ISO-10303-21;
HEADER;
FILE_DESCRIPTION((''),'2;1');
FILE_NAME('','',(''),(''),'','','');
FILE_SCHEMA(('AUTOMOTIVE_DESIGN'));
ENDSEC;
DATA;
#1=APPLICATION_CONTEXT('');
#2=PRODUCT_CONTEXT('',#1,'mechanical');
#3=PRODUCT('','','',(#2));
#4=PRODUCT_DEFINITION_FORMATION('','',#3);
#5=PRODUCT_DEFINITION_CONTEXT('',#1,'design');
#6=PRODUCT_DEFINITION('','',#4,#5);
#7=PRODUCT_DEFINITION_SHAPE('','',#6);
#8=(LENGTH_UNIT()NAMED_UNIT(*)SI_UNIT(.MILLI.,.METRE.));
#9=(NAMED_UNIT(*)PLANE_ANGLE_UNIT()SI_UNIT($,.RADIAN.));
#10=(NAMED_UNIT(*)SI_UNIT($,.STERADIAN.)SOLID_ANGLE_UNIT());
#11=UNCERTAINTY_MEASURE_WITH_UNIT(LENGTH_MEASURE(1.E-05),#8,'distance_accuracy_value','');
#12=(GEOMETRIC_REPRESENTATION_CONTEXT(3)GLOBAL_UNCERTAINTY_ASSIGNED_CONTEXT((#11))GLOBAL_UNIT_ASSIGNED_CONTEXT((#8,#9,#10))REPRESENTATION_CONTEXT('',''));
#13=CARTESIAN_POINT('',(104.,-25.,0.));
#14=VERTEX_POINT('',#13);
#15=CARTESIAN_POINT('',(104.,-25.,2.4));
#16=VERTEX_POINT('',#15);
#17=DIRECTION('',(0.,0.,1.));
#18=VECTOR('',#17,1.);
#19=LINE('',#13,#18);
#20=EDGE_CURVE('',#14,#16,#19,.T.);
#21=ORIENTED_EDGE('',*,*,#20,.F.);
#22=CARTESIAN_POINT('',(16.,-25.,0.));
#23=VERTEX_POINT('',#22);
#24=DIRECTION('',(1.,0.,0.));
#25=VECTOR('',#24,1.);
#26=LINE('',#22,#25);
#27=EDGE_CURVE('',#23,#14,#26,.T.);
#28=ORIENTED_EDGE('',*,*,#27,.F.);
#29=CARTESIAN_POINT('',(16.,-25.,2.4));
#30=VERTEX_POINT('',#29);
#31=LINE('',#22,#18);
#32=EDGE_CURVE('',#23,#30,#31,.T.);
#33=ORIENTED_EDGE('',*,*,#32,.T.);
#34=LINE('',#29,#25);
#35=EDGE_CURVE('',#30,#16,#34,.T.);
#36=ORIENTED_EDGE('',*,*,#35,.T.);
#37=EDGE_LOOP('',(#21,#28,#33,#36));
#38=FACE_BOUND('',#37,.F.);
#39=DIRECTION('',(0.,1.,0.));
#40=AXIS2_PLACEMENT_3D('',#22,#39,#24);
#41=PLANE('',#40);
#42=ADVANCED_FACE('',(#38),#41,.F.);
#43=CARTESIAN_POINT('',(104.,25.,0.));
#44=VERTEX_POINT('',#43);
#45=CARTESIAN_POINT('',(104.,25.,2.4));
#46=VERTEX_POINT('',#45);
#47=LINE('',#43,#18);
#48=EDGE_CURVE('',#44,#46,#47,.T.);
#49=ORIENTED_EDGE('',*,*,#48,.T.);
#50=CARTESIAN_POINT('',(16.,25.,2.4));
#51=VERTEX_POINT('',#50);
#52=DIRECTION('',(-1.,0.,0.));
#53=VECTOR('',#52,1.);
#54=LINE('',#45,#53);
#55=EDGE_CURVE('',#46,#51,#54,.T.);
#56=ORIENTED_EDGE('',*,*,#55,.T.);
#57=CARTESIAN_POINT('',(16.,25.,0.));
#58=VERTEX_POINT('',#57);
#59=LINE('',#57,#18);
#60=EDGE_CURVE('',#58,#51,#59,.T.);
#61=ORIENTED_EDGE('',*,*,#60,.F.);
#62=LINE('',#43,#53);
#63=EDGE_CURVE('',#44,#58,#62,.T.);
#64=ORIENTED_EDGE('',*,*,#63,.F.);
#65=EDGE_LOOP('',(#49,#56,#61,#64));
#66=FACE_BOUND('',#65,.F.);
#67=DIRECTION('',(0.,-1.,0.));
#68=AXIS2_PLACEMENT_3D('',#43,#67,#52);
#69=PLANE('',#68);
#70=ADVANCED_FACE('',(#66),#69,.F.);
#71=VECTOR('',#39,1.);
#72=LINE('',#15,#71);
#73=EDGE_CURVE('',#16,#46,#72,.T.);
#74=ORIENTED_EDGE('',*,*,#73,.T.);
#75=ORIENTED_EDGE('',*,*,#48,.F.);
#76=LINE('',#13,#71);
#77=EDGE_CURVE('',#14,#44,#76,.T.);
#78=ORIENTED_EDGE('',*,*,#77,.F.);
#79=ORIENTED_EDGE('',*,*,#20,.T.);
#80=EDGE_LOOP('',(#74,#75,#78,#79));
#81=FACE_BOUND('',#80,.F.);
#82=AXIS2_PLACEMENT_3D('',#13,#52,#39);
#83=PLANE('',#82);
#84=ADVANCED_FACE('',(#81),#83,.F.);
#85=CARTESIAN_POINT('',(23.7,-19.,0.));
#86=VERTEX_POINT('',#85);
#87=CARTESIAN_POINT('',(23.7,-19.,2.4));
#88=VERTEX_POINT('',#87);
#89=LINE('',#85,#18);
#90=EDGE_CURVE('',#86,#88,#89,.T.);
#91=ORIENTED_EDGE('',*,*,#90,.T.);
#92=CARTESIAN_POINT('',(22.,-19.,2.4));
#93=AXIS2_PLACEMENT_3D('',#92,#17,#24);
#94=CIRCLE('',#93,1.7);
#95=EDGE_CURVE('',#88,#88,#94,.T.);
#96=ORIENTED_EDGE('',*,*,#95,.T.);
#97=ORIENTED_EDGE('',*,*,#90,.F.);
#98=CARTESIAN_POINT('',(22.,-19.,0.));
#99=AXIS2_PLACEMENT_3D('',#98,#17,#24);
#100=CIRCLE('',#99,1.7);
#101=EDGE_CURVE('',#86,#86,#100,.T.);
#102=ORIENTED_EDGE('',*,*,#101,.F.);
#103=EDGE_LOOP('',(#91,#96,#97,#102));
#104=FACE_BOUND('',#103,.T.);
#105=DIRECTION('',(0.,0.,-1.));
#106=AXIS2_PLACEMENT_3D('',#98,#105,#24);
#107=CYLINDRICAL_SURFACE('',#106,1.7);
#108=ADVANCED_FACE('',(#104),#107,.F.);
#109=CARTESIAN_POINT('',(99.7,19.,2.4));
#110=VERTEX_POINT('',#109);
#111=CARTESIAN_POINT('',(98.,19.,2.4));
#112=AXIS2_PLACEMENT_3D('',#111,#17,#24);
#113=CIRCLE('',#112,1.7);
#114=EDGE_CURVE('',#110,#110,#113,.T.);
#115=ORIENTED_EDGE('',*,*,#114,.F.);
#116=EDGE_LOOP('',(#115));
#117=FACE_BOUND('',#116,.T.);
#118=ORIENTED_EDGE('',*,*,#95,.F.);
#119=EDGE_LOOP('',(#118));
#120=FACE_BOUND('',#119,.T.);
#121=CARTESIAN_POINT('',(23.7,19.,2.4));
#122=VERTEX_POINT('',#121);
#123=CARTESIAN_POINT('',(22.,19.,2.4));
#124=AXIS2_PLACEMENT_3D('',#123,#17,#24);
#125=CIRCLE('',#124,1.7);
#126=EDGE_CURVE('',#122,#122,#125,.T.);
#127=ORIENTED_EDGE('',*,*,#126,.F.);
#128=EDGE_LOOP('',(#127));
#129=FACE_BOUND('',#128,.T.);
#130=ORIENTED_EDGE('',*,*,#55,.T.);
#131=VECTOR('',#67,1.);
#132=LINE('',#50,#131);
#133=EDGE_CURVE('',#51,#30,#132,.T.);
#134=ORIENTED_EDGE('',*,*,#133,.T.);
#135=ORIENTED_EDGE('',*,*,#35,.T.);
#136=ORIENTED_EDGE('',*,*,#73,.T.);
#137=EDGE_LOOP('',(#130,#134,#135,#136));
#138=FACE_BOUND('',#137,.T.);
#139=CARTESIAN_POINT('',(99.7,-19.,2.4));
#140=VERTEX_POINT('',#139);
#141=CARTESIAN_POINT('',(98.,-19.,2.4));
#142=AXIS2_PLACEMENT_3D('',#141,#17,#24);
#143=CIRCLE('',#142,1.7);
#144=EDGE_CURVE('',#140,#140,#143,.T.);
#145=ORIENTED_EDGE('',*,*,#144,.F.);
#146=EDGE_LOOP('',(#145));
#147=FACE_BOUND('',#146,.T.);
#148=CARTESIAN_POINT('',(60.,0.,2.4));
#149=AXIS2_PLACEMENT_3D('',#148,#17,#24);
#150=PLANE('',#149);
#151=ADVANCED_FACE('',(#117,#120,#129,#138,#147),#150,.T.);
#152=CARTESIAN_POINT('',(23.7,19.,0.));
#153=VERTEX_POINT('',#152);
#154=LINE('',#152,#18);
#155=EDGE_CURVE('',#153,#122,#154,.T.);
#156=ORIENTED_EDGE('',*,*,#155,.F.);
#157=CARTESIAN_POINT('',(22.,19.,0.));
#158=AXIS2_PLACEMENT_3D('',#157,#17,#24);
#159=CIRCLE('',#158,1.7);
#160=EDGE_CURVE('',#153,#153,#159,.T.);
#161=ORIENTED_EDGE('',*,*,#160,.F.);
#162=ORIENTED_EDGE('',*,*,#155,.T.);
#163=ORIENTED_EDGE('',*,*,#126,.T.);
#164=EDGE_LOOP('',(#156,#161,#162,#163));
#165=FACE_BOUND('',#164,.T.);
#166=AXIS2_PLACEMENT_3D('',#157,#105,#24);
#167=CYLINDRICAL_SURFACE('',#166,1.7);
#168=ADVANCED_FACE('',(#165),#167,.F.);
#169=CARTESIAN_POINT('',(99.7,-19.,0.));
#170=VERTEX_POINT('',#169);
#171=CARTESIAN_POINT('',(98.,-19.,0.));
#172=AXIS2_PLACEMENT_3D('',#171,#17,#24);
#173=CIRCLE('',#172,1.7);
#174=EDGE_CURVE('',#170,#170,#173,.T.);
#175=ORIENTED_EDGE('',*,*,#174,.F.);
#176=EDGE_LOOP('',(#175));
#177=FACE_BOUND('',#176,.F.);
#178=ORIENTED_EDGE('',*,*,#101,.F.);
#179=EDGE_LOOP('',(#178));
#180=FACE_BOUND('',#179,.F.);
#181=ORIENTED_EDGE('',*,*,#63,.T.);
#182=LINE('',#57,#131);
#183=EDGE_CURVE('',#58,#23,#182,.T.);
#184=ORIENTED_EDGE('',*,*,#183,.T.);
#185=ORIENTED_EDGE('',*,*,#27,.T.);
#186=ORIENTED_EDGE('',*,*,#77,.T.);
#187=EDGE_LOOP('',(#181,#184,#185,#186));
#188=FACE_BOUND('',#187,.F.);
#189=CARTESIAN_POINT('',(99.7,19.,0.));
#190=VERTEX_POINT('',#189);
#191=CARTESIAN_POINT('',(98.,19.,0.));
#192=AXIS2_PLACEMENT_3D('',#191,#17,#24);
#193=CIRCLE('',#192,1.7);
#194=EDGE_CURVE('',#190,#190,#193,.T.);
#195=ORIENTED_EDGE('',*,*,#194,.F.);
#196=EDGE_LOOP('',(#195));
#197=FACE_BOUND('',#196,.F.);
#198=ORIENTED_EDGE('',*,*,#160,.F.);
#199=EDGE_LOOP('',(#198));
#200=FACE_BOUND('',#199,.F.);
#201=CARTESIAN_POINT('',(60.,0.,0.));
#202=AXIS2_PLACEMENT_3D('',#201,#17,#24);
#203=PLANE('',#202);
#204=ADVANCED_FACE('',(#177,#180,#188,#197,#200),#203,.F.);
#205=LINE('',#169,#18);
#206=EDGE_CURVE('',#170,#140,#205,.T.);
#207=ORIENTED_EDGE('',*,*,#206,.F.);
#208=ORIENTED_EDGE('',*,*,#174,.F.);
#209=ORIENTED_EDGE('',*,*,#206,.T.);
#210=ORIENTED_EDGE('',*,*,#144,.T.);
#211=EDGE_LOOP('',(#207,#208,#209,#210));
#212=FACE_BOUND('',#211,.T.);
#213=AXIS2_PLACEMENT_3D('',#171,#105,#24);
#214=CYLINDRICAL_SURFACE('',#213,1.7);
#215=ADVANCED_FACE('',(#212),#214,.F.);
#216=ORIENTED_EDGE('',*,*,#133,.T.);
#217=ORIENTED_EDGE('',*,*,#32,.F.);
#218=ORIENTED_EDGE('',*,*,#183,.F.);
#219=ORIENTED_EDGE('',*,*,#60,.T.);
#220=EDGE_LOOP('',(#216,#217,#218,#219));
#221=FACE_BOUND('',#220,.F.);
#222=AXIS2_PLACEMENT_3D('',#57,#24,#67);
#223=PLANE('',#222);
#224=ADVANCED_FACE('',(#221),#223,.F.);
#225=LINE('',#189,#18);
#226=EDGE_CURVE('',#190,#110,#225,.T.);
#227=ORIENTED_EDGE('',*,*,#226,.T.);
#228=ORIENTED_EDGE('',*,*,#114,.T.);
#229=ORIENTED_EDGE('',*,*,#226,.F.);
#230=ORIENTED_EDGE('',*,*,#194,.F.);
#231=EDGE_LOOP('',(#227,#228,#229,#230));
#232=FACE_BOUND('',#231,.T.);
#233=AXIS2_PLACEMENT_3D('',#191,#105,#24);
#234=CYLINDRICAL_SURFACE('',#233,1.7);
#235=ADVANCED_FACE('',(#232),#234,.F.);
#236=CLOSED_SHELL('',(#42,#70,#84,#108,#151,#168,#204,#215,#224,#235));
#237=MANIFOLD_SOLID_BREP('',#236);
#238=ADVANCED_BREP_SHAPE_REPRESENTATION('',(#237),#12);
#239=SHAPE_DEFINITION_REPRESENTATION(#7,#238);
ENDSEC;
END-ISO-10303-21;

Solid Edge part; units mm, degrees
sketch "Sketch1" plane through (0, 0, 0) normal (0, 0, 1) x (1, 0, 0)
  line L0 (16, -25) -> (104, -25)
  line L1 (104, -25) -> (104, 25)
  line L2 (104, 25) -> (16, 25)
  line L3 (16, 25) -> (16, -25)
  circle A0 centre (22, -19) radius 1.7
  circle A1 centre (22, 19) radius 1.7
  circle A2 centre (98, -19) radius 1.7
  circle A3 centre (98, 19) radius 1.7
extrude "Protrusion1" add sketch "Sketch1" along normal blind 2.4
